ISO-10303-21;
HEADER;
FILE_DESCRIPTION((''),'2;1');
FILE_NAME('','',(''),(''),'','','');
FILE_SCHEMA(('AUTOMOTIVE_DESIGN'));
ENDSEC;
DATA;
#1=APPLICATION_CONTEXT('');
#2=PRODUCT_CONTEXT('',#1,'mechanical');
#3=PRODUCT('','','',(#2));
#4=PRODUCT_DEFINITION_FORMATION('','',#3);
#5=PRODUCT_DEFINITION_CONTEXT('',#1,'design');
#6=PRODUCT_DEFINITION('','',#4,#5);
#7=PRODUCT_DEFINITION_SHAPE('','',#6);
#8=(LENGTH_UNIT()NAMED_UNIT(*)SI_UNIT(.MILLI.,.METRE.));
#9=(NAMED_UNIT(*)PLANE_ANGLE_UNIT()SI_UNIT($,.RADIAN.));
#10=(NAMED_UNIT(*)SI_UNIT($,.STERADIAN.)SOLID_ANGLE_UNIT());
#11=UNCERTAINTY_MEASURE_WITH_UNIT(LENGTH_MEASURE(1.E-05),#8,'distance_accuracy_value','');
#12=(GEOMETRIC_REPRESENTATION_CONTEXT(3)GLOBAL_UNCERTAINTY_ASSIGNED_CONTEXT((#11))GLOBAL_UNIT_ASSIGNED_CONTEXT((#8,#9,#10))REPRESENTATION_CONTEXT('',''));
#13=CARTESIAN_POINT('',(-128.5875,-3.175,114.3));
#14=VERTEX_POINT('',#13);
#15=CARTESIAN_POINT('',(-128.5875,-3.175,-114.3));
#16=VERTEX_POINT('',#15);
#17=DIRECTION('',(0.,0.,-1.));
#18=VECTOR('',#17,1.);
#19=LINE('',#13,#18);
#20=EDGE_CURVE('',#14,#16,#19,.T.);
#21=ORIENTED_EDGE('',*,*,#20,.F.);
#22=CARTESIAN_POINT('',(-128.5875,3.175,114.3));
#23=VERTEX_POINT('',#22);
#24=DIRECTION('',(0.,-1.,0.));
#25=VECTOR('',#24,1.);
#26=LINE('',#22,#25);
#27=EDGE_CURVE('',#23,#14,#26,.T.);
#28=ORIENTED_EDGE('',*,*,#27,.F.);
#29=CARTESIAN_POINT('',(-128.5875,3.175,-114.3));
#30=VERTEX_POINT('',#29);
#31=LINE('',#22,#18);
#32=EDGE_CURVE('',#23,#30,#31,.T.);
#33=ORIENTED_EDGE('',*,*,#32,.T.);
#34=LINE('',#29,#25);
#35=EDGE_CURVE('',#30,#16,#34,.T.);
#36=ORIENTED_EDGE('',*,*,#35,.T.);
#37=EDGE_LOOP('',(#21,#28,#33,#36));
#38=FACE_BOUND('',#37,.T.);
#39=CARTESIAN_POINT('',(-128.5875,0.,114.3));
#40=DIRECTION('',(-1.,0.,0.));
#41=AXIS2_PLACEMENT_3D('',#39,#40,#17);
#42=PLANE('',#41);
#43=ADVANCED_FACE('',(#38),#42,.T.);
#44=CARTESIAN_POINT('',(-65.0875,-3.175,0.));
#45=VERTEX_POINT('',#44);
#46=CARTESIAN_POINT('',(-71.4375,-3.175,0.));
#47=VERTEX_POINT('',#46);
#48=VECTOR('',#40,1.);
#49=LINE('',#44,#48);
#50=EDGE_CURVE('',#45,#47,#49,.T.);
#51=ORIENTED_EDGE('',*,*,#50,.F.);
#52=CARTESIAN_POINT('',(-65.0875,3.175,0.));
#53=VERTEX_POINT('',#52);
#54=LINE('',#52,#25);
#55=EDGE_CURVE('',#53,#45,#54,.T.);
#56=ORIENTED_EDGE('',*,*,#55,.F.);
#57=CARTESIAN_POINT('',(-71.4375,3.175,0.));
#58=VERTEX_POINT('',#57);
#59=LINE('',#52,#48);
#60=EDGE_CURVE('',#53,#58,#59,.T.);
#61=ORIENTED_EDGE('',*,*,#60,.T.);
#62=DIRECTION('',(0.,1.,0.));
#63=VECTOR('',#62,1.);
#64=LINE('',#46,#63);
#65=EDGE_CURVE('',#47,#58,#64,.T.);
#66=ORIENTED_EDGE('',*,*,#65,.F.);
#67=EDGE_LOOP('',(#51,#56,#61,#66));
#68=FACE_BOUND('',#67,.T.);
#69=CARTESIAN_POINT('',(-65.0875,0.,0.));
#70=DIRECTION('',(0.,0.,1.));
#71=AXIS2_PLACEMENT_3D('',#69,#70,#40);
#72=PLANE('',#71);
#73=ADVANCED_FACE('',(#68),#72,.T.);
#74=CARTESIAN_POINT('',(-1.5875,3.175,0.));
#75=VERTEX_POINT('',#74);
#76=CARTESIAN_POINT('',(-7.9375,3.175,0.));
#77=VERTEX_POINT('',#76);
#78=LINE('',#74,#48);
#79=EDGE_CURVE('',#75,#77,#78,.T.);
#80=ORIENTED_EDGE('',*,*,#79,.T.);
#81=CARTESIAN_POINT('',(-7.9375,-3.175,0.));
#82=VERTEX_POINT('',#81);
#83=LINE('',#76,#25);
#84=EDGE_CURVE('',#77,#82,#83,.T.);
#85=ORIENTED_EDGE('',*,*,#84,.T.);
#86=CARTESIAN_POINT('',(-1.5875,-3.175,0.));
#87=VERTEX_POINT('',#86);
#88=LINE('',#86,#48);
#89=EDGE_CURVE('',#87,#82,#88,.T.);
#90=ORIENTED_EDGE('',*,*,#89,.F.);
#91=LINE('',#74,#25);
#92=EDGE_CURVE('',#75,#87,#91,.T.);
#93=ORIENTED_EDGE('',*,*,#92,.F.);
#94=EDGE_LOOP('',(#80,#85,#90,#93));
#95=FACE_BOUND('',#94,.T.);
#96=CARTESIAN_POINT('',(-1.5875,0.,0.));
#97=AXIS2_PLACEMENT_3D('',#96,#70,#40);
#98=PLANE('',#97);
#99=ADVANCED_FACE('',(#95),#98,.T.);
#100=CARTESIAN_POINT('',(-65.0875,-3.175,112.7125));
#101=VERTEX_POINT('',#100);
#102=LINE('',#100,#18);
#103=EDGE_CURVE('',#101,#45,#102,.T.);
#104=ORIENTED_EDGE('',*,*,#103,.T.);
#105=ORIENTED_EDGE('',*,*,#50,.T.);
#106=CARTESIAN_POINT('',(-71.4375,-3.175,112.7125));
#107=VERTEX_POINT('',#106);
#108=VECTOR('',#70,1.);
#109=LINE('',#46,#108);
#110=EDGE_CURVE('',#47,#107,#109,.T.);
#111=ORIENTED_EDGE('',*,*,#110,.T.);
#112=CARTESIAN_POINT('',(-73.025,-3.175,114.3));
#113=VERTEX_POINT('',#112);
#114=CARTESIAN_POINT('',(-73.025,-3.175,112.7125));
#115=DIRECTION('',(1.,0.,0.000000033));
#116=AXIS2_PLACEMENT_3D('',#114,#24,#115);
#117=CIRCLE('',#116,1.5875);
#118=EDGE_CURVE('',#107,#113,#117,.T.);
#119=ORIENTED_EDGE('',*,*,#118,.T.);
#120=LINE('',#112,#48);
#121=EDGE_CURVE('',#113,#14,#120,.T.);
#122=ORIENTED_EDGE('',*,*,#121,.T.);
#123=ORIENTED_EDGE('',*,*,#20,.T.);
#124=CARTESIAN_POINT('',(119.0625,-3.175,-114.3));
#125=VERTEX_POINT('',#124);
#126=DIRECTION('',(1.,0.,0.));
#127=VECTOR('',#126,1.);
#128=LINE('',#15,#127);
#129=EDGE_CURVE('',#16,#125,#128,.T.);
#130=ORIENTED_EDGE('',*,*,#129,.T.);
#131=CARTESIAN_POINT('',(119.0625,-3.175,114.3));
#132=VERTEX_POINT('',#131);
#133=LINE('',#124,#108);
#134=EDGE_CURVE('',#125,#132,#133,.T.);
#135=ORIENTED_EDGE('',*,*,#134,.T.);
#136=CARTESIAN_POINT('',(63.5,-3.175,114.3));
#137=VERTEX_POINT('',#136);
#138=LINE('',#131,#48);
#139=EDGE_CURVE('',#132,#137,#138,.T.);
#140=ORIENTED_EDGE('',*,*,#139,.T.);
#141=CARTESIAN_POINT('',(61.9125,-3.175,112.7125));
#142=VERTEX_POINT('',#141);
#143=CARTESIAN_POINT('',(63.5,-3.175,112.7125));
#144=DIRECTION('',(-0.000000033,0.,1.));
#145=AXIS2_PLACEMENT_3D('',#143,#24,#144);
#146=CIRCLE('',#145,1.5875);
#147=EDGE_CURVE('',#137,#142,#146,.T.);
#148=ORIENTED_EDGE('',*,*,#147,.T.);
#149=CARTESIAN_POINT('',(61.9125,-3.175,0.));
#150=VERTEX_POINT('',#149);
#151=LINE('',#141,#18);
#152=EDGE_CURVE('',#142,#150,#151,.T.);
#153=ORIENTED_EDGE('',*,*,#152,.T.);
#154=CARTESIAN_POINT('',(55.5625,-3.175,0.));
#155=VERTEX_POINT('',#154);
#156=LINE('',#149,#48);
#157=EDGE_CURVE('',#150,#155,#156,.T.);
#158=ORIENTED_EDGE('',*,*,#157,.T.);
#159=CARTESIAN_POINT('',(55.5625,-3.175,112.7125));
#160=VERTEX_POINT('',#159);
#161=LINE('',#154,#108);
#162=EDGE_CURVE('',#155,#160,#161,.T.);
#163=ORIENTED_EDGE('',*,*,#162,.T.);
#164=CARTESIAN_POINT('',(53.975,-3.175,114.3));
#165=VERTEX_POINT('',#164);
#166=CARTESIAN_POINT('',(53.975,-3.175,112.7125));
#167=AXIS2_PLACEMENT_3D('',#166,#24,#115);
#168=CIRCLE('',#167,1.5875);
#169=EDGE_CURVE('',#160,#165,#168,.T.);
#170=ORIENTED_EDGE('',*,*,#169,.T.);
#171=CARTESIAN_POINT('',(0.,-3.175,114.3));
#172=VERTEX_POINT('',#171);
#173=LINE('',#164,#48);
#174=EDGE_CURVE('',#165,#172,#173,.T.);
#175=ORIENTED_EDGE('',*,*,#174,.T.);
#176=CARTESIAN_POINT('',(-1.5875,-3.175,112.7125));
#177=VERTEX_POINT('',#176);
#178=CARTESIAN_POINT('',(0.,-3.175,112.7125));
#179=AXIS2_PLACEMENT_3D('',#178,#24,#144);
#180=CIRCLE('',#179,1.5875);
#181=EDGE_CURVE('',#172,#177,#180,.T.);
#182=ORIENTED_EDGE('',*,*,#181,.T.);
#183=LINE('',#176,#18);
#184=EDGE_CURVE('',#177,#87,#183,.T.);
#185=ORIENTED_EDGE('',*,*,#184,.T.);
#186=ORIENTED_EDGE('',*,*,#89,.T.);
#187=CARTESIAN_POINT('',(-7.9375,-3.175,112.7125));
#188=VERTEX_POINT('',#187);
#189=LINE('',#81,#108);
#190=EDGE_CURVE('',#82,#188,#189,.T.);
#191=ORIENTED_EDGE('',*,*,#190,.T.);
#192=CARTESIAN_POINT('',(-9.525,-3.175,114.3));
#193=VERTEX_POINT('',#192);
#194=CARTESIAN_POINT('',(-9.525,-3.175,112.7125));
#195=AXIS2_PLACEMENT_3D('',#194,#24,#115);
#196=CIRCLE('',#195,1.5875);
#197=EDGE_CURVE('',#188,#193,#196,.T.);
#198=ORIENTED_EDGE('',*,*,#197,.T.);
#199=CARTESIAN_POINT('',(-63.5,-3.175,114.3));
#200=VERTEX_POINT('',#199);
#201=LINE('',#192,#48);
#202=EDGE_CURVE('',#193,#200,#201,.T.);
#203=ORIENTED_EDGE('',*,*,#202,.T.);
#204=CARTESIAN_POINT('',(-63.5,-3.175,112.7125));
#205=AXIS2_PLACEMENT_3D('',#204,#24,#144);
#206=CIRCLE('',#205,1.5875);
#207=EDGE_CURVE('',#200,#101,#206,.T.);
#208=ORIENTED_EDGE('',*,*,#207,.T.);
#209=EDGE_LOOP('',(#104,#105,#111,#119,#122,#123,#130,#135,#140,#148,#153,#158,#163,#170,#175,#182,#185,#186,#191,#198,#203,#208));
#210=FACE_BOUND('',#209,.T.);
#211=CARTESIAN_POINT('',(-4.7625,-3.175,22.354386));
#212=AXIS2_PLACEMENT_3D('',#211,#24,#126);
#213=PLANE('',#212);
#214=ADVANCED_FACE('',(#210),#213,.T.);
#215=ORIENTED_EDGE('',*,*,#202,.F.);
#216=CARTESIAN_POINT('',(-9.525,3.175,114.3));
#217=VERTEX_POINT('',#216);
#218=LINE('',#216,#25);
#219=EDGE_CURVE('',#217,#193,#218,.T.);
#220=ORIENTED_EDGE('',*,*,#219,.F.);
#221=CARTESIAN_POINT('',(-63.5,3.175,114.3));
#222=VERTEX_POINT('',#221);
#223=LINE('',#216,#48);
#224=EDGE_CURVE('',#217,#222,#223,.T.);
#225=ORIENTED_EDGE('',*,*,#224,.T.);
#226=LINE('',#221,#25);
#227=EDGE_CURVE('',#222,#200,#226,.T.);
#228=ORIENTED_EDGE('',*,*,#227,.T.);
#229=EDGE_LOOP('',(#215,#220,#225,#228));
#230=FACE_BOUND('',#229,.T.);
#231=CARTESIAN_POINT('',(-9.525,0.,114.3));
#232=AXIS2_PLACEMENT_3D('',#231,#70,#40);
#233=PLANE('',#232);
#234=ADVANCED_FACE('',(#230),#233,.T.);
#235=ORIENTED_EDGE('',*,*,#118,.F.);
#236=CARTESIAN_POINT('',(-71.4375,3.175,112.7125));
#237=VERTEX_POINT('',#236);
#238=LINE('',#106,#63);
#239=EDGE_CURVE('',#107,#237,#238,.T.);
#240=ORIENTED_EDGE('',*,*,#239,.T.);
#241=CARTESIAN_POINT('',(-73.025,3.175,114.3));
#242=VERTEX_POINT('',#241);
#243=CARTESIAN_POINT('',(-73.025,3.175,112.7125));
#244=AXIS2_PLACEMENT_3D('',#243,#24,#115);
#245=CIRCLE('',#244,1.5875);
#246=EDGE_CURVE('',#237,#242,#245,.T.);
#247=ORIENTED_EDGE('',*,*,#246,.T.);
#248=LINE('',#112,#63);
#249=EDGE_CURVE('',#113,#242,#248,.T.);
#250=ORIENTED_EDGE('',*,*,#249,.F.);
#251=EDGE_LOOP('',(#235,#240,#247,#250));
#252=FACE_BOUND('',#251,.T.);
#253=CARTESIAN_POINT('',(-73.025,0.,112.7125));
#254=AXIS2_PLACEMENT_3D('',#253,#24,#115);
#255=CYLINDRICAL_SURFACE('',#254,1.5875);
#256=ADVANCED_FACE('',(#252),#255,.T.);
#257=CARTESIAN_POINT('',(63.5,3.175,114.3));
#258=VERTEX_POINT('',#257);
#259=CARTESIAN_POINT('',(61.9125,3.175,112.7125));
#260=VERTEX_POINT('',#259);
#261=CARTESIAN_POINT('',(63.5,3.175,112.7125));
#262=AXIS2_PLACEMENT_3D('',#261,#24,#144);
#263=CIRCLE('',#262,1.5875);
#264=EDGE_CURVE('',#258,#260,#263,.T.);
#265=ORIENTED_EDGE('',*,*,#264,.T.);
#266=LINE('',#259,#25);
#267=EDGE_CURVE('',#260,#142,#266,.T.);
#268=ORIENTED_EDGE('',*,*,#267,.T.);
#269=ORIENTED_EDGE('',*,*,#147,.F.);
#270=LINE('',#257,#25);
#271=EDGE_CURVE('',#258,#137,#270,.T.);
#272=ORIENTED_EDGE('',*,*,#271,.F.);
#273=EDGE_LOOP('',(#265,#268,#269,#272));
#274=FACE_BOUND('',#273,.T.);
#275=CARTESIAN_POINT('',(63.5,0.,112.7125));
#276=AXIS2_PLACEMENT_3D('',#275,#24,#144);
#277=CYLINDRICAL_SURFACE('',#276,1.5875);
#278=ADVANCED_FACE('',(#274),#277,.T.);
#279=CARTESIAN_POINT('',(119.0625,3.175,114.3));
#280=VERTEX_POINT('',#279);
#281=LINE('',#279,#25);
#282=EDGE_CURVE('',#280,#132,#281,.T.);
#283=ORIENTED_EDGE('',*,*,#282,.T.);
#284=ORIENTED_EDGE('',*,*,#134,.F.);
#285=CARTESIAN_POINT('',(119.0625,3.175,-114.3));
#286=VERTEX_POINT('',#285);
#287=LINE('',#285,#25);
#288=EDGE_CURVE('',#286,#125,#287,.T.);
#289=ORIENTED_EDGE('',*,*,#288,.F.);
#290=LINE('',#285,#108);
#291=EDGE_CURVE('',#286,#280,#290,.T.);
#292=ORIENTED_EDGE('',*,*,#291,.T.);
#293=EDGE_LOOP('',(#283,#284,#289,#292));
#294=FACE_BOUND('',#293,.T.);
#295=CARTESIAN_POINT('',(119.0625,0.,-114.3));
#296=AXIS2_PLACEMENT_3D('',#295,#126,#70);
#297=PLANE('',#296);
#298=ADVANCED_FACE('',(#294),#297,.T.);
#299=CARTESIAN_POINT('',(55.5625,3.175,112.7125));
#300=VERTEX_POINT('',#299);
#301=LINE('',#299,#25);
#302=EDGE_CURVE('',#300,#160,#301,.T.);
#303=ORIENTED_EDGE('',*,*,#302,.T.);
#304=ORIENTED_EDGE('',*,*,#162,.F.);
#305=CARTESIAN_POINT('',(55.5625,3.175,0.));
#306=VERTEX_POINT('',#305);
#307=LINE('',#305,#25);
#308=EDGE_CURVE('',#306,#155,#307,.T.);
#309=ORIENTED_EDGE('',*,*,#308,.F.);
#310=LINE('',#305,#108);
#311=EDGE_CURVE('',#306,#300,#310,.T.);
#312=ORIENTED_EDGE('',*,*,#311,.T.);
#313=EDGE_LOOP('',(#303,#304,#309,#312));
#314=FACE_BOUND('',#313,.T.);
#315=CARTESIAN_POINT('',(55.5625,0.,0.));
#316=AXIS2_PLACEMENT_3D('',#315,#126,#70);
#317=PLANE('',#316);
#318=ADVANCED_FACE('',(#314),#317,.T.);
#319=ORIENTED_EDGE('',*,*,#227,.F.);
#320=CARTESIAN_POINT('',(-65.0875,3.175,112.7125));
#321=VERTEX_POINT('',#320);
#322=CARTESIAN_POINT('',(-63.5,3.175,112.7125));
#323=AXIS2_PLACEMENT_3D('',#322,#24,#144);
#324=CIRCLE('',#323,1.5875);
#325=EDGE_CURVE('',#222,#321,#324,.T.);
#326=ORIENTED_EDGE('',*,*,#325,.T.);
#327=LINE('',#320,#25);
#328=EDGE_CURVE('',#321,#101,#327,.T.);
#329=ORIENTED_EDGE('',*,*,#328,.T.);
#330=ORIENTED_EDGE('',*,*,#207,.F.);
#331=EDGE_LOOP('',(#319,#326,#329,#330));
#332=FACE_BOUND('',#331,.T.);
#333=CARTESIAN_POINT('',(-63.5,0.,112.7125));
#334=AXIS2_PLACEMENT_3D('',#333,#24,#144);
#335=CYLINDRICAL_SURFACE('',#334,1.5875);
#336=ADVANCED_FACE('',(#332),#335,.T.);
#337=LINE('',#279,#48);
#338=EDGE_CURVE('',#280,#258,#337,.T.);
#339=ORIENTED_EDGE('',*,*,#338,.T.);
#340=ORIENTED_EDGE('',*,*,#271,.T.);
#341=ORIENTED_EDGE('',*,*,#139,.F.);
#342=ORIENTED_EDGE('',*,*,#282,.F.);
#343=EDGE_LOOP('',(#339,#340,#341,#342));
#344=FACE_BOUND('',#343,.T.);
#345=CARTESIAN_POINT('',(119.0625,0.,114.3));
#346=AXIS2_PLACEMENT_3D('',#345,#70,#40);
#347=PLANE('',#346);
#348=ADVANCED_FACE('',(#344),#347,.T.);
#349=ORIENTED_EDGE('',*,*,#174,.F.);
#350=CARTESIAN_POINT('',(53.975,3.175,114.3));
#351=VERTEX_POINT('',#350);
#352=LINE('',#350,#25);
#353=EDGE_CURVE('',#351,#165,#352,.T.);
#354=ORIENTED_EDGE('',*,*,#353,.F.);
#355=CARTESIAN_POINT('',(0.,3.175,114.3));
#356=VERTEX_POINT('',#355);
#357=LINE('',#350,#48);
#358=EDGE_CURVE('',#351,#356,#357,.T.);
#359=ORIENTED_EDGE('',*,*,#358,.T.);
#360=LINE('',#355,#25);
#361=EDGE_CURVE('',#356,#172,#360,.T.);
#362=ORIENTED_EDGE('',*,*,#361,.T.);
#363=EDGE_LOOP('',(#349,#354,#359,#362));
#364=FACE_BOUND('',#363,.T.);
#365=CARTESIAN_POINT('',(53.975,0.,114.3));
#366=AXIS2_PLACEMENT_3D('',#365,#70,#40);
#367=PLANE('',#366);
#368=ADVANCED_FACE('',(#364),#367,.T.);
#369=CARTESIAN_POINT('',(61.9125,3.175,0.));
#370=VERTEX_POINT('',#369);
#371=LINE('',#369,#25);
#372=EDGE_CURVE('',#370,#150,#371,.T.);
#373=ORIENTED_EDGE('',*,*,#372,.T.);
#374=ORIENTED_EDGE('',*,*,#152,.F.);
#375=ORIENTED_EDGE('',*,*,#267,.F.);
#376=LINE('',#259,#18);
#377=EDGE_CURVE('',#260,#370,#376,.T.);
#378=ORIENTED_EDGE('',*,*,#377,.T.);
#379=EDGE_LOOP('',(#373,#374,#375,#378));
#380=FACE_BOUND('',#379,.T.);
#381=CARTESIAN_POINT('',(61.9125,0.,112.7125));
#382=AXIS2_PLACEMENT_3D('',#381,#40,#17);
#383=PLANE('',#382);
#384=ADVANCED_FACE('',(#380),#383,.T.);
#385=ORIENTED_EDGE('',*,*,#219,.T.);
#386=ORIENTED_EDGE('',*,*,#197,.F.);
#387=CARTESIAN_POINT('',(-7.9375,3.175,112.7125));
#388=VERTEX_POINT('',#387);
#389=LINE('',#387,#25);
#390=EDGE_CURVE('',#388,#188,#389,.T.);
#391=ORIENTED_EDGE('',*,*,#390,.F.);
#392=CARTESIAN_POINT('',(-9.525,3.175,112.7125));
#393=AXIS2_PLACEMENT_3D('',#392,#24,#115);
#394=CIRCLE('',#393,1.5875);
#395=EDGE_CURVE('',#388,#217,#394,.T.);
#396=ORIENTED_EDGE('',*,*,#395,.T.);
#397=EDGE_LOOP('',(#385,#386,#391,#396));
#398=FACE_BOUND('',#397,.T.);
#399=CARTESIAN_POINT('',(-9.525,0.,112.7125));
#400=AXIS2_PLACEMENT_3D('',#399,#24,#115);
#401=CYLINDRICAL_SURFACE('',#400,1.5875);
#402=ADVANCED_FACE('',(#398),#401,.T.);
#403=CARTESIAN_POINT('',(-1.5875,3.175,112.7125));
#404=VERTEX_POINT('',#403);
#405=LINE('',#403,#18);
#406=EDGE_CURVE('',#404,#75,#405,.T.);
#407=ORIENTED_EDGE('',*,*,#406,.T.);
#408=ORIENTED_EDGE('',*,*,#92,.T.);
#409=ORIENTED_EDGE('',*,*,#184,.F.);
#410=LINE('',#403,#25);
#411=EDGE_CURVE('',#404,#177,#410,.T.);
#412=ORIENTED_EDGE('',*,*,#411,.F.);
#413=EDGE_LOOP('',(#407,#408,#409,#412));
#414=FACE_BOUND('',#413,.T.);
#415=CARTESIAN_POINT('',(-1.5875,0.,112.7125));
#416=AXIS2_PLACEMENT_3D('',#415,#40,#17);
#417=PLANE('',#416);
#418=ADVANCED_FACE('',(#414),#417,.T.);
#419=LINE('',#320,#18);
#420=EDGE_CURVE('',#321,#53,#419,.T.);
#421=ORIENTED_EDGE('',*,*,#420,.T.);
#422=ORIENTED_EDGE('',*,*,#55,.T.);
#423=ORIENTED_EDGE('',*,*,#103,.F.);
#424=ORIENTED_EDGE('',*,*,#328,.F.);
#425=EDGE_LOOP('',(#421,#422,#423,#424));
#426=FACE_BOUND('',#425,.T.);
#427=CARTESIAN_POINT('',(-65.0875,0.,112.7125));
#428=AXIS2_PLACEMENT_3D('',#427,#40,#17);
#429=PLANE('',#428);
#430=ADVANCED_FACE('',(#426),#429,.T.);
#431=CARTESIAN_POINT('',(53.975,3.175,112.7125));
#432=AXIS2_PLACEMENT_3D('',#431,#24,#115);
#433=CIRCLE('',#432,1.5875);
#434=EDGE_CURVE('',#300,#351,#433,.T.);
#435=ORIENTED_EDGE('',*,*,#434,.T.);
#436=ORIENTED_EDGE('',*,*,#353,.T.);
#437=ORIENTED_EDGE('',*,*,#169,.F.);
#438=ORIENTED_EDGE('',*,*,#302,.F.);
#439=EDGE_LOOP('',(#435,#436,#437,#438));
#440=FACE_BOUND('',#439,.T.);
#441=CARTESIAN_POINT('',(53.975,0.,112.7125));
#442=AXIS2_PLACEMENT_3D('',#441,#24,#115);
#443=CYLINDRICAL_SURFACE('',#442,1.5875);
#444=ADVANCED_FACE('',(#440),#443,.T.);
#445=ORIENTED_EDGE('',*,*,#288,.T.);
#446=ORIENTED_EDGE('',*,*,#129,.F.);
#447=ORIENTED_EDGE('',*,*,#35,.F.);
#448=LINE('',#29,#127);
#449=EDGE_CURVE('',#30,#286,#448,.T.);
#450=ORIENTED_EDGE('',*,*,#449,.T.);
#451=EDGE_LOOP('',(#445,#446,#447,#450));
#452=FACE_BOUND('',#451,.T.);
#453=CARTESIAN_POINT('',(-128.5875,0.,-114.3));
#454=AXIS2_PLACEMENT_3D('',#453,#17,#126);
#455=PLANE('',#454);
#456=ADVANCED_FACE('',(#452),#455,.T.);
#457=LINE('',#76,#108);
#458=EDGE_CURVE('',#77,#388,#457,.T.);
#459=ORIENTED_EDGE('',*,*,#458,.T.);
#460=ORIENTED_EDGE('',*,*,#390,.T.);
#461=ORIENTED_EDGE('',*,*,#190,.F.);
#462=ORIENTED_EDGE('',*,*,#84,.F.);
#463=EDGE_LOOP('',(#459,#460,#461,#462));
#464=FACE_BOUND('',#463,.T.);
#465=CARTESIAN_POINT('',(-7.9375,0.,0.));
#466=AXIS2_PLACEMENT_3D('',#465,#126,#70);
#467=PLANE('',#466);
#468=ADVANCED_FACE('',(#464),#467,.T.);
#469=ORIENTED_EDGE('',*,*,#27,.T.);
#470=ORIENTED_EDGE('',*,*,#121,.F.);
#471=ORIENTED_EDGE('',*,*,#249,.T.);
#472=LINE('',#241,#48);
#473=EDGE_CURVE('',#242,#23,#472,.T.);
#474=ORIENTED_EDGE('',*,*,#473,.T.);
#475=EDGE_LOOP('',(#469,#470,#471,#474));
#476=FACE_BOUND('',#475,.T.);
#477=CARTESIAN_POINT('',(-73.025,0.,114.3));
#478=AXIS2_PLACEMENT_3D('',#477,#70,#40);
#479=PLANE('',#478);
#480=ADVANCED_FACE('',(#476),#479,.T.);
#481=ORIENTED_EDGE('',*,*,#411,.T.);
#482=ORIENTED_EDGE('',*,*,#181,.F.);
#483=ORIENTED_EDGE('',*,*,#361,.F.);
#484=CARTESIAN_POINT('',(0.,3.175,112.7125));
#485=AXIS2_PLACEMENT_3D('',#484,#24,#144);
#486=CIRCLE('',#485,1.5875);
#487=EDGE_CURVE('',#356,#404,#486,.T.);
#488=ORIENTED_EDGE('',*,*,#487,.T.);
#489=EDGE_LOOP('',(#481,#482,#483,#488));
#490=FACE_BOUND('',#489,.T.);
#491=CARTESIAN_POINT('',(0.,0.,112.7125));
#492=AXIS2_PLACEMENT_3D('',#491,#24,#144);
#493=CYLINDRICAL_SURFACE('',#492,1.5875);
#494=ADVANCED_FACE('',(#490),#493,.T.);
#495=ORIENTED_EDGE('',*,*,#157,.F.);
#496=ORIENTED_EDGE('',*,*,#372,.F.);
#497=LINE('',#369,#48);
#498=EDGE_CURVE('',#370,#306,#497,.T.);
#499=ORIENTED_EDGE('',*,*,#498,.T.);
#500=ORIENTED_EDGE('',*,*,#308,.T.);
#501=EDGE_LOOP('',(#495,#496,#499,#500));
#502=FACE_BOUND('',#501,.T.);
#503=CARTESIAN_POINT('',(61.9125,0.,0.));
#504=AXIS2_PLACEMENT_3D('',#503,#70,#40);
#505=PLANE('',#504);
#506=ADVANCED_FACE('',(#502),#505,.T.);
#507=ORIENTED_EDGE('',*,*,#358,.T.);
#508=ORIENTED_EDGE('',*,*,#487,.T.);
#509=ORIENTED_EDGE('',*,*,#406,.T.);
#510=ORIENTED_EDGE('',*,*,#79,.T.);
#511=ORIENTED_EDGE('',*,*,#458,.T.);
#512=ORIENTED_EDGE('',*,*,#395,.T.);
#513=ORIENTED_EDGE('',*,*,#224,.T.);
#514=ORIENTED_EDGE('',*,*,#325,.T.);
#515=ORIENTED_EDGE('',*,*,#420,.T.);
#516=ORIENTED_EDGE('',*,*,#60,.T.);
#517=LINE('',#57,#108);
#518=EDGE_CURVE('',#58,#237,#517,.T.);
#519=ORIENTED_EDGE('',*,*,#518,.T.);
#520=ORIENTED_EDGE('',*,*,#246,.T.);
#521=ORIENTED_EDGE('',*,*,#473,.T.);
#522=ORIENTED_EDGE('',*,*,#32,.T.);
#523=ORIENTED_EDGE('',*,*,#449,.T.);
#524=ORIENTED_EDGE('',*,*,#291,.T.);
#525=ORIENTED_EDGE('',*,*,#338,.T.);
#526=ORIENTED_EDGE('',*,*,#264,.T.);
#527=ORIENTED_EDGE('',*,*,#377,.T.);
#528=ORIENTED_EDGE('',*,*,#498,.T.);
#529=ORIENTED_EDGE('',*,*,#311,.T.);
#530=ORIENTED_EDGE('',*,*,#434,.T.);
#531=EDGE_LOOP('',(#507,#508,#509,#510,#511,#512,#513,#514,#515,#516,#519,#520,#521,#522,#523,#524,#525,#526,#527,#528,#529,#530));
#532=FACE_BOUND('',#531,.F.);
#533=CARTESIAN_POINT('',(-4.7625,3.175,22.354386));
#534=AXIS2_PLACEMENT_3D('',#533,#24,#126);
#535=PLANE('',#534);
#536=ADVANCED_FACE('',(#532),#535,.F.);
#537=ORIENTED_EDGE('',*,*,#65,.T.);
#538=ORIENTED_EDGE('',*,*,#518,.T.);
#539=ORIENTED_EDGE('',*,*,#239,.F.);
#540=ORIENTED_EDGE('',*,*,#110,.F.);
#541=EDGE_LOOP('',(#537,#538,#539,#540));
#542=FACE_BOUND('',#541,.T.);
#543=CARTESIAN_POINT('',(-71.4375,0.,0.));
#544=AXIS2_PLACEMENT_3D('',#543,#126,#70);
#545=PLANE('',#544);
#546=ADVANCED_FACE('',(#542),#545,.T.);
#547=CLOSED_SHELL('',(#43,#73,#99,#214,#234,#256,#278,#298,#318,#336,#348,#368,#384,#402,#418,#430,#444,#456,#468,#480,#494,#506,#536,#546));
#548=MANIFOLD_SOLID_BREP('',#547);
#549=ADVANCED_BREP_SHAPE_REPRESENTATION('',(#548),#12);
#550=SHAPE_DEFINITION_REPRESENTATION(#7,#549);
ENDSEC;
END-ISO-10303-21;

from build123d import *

# Parameters (mm, degrees)
F1_DEPTH = 3.175


with BuildPart() as f1:
    # F0 (on Front) → F1 (new body, symmetric)
    with BuildSketch(Plane.XZ):
        with BuildLine():
            Line((-73.025, 114.3), (-128.5875, 114.3))
            Line((-128.5875, 114.3), (-128.5875, -114.3))
            Line((-128.5875, -114.3), (119.0625, -114.3))
            Line((119.0625, -114.3), (119.0625, 114.3))
            Line((119.0625, 114.3), (63.5, 114.3))
            ThreePointArc((63.5, 114.3), (62.377468, 113.835032), (61.9125, 112.7125))
            Line((61.9125, 112.7125), (61.9125, 0))
            Line((61.9125, 0), (55.5625, 0))
            Line((55.5625, 0), (55.5625, 112.7125))
            ThreePointArc((55.5625, 112.7125), (55.097532, 113.835032), (53.975, 114.3))
            Line((53.975, 114.3), (0, 114.3))
            ThreePointArc((0, 114.3), (-1.122532, 113.835032), (-1.5875, 112.7125))
            Line((-1.5875, 112.7125), (-1.5875, 0))
            Line((-1.5875, 0), (-7.9375, 0))
            Line((-7.9375, 0), (-7.9375, 112.7125))
            ThreePointArc((-7.9375, 112.7125), (-8.402468, 113.835032), (-9.525, 114.3))
            Line((-9.525, 114.3), (-63.5, 114.3))
            ThreePointArc((-63.5, 114.3), (-64.622532, 113.835032), (-65.0875, 112.7125))
            Line((-65.0875, 112.7125), (-65.0875, 0))
            Line((-65.0875, 0), (-71.4375, 0))
            Line((-71.4375, 0), (-71.4375, 112.7125))
            ThreePointArc((-71.4375, 112.7125), (-71.902468, 113.835032), (-73.025, 114.3))
        make_face()
    extrude(amount=F1_DEPTH, both=True)


solid = f1.part
